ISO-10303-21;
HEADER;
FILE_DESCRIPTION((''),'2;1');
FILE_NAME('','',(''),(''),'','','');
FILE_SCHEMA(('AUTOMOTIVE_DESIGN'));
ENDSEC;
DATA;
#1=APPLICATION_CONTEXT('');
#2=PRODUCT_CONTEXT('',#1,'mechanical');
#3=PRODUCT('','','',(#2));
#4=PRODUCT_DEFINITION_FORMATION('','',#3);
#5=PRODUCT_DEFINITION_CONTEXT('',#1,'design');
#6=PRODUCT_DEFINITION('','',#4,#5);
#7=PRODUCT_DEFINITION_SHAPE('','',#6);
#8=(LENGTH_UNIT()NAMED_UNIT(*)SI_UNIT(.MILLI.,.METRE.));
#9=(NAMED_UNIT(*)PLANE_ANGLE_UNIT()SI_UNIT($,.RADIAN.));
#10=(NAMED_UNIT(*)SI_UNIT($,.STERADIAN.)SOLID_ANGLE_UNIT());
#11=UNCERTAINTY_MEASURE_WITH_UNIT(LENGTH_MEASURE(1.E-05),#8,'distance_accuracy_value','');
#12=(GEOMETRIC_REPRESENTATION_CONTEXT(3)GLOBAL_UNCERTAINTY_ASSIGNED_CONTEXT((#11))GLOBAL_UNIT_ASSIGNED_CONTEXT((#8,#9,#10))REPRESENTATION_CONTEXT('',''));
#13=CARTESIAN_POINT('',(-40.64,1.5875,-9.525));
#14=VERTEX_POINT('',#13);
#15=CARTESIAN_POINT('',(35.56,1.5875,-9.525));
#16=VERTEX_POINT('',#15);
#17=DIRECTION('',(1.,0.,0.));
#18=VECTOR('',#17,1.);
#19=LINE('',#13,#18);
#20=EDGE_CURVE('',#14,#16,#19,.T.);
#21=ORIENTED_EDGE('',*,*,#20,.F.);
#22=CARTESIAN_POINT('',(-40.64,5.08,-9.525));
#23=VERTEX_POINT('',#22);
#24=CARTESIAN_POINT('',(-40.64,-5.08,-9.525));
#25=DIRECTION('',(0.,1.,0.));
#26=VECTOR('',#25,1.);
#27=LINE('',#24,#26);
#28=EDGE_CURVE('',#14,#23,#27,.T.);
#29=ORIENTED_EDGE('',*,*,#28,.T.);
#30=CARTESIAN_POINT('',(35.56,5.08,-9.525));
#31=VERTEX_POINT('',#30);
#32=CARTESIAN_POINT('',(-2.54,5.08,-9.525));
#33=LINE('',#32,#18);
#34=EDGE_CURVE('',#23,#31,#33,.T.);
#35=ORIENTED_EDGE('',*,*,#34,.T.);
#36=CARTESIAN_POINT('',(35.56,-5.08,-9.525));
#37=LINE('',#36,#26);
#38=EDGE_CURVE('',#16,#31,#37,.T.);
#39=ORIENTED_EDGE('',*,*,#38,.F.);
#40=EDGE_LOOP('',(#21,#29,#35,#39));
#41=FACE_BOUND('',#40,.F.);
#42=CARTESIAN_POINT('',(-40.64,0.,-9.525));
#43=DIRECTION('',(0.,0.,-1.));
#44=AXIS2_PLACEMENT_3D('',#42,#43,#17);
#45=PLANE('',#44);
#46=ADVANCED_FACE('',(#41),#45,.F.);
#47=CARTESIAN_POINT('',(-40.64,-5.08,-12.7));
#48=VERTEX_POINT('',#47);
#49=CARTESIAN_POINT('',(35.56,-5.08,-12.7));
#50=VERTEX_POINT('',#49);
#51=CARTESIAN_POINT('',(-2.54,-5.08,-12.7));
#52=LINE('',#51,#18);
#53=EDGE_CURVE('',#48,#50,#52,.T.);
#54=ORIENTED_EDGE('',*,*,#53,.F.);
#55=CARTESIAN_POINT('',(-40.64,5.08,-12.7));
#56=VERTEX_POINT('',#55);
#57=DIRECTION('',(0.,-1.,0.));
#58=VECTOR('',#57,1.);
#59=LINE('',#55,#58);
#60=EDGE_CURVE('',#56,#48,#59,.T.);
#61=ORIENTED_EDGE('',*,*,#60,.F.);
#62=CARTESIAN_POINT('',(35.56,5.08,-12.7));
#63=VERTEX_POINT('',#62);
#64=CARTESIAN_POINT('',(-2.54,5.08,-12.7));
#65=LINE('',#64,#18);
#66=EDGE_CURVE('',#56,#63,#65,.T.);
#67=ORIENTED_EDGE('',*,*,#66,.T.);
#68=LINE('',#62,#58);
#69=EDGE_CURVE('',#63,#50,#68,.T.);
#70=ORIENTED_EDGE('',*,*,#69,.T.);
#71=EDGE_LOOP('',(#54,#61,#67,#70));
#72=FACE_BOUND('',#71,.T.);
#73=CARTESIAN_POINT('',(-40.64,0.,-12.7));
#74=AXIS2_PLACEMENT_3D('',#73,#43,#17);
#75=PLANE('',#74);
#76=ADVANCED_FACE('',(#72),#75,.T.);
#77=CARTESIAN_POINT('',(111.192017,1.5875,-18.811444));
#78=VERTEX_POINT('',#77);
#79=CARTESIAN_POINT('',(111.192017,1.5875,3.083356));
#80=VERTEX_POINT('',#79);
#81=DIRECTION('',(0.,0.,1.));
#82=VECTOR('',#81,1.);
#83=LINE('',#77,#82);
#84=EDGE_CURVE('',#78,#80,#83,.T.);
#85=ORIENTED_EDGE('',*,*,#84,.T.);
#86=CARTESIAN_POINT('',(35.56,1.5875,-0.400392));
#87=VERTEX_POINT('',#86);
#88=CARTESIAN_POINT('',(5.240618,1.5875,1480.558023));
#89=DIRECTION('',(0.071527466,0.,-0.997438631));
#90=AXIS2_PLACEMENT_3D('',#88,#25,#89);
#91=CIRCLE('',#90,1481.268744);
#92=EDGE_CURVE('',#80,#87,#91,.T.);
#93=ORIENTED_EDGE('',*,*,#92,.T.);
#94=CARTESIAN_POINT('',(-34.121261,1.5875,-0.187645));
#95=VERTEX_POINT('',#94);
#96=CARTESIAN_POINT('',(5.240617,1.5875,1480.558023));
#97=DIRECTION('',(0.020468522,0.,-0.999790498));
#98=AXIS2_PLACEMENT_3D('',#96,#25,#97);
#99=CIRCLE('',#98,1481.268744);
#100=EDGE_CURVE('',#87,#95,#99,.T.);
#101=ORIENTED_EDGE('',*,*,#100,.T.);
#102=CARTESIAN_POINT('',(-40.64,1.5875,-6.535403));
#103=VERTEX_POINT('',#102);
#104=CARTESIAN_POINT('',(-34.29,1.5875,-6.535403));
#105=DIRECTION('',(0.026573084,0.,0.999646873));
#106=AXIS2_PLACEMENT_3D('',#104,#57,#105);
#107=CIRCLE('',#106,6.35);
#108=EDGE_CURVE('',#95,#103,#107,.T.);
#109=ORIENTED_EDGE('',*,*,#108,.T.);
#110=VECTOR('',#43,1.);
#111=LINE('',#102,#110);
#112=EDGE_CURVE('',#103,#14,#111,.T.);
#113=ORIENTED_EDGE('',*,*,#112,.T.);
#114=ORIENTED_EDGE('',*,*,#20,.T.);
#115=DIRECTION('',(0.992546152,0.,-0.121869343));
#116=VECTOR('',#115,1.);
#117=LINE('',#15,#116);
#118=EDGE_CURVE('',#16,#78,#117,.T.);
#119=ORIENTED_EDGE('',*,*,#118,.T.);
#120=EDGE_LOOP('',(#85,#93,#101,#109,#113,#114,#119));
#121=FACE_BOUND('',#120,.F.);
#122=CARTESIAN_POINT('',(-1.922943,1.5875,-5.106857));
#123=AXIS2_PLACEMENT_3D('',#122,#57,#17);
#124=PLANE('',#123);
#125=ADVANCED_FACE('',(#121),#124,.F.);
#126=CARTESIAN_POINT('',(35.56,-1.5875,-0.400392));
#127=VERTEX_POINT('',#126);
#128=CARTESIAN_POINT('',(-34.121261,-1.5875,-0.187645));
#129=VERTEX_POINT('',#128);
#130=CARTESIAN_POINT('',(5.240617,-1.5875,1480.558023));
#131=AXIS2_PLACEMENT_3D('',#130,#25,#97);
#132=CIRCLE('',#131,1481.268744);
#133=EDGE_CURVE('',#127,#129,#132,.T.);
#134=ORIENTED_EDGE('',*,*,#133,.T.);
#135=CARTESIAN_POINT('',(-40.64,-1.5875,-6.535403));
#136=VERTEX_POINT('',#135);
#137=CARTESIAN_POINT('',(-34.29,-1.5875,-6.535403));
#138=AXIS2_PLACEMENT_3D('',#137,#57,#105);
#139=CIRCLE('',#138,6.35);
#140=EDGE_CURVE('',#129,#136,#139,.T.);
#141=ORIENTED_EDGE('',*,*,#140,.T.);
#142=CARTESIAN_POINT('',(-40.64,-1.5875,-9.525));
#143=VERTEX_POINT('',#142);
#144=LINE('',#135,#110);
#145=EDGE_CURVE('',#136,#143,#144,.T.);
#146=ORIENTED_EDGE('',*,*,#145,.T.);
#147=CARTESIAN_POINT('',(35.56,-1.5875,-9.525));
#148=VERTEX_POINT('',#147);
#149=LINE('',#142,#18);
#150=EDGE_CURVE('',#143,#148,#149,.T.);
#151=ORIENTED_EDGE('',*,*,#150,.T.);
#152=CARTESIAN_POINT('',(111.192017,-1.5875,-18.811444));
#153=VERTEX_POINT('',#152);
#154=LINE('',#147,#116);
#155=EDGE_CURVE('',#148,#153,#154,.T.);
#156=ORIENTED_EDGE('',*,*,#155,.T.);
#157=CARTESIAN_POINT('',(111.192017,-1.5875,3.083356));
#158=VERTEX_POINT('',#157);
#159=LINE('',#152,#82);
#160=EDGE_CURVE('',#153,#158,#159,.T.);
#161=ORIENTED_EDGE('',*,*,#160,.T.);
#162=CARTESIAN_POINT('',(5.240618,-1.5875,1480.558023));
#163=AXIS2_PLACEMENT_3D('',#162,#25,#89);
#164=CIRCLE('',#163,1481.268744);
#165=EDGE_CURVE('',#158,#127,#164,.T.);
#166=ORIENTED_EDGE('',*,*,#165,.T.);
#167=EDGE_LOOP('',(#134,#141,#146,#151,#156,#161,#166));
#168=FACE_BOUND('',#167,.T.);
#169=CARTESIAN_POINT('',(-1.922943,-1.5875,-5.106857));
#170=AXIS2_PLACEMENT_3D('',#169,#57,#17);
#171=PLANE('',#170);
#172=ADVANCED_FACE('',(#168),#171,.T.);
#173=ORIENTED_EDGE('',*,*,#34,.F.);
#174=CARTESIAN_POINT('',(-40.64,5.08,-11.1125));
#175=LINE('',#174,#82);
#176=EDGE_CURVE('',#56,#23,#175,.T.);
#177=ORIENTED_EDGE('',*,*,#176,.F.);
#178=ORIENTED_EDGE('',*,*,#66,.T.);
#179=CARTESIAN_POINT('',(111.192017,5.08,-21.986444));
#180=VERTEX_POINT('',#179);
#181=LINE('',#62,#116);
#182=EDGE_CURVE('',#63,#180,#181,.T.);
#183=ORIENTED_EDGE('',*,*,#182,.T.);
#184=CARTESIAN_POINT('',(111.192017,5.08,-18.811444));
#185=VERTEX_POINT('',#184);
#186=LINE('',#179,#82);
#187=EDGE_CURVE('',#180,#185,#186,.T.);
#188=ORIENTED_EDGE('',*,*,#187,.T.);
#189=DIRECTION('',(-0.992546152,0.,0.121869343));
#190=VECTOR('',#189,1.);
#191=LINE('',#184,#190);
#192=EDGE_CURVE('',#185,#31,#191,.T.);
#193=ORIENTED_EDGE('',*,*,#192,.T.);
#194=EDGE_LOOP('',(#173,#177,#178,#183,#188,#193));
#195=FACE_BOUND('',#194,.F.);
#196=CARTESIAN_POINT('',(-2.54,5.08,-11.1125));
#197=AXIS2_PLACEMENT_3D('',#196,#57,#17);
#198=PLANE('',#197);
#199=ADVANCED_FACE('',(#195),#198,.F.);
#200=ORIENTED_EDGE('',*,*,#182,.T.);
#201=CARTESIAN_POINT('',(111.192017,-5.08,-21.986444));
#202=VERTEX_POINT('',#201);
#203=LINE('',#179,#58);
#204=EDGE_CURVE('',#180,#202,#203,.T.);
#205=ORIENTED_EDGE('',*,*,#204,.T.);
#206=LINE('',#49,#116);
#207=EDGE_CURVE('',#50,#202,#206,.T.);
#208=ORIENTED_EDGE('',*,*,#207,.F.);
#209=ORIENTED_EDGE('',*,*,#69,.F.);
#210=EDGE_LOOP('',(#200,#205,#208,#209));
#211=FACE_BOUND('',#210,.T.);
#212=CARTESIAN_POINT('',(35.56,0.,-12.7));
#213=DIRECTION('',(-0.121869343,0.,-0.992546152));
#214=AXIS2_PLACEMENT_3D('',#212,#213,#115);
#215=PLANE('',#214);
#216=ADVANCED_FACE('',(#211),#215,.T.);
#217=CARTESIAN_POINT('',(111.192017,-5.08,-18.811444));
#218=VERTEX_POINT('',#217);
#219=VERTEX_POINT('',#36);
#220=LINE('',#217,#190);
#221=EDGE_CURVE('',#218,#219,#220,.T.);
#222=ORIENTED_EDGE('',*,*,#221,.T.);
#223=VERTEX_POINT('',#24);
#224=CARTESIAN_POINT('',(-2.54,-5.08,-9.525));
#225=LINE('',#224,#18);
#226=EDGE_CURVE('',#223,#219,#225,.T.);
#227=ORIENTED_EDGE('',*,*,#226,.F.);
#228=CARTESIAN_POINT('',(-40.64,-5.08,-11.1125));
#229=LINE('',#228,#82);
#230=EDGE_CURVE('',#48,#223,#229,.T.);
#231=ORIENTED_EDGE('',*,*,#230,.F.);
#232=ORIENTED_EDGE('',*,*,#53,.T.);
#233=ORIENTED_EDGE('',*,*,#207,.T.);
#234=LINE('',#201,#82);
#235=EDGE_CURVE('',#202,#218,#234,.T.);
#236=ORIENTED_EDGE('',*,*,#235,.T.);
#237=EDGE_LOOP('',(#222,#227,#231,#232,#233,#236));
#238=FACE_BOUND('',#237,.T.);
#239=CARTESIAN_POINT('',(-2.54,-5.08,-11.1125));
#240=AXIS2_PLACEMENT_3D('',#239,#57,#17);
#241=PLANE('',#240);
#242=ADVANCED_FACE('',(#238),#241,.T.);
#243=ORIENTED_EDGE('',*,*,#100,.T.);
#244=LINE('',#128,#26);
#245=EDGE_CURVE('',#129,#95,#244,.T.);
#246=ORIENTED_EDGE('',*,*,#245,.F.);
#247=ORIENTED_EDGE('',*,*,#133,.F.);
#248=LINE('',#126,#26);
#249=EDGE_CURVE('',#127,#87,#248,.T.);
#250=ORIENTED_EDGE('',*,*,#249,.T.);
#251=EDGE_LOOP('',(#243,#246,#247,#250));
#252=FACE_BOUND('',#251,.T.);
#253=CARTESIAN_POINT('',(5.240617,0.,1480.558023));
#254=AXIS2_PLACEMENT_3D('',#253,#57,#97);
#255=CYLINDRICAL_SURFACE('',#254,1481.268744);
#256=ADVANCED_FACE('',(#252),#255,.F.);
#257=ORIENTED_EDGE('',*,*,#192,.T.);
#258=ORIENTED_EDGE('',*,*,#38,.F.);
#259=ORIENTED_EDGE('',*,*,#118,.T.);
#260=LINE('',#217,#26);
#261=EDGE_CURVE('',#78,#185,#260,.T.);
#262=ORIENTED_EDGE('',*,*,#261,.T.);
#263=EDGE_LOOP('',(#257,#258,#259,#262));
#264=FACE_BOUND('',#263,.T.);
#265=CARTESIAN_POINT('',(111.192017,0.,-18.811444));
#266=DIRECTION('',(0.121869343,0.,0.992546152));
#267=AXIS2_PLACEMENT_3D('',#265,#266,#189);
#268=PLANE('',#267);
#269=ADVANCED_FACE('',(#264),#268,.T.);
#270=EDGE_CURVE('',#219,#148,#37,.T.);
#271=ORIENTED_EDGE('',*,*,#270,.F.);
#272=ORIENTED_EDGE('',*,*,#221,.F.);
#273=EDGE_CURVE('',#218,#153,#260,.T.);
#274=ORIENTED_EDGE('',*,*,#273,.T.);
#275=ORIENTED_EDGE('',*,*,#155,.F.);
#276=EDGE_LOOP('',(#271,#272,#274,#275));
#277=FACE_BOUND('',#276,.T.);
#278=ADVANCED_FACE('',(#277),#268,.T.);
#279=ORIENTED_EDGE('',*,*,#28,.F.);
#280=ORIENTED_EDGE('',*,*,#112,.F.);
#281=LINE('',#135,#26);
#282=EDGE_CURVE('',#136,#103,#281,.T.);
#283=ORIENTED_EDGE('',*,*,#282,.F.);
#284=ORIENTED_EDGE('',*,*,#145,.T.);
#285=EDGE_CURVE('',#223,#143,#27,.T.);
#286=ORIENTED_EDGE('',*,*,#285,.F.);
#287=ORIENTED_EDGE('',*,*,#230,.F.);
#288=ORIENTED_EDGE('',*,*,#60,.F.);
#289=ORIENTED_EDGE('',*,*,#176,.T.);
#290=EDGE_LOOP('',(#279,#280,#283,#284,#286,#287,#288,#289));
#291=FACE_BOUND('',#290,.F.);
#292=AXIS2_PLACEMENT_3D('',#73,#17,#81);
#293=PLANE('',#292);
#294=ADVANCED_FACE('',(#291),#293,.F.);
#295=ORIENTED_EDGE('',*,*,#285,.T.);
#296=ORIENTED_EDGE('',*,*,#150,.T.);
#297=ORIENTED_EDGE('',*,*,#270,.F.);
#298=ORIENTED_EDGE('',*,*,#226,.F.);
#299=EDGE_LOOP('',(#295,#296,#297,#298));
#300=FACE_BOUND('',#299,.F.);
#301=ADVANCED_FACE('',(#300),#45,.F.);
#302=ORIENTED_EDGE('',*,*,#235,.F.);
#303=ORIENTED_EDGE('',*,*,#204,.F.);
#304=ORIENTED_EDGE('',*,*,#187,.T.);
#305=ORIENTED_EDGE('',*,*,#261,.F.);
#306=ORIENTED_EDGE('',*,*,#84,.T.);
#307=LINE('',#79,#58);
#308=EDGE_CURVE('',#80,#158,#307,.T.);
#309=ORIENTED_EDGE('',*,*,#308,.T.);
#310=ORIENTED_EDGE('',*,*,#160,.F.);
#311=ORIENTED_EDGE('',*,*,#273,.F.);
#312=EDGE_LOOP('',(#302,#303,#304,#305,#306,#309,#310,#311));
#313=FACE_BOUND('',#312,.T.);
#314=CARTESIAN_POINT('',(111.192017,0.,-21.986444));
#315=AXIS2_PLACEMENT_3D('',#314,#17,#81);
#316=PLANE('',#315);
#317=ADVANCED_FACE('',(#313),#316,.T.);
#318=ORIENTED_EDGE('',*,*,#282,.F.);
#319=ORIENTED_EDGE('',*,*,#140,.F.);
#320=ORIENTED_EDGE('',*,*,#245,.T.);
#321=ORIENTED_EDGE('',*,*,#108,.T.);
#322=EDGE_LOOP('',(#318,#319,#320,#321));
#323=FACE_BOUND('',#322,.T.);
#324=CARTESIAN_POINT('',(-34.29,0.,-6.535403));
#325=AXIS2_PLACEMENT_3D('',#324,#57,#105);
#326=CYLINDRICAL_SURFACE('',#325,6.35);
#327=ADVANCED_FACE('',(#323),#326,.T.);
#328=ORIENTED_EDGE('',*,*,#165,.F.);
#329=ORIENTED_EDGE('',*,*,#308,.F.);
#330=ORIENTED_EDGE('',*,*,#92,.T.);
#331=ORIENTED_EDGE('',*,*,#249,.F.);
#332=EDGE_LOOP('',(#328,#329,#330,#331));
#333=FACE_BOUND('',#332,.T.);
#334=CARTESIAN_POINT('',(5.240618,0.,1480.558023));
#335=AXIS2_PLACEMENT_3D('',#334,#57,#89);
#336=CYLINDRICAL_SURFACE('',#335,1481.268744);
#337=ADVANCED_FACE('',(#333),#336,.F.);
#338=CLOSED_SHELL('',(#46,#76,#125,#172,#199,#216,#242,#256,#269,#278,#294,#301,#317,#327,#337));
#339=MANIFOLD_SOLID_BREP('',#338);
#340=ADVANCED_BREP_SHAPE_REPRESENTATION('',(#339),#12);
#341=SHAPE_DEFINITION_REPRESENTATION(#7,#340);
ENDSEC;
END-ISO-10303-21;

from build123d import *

# Parameters (mm, degrees)
F0_W     = 76.2
F0_H     = 3.175
F1_DEPTH = 5.08
F2_DEPTH = 1.5875


with BuildPart() as f1:
    # F0 (on Front) → F1 (new body, symmetric)
    with BuildSketch(Plane.XZ):
        with Locations((-2.54, -11.1125)):
            Rectangle(F0_W, F0_H)
        Polygon((61.4182999088, -12.7), (35.56, -12.7), (111.1920167551, -21.9864439675), (111.1920167551, -18.8114439675), align=None)
        Polygon((35.56, -9.525), (35.56, -12.7), (61.4182999088, -12.7), align=None)
    extrude(amount=F1_DEPTH, both=True)

    # F0 (on Front) → F2 (join, symmetric)
    with BuildSketch(Plane.XZ):
        with BuildLine():
            Line((-40.64, -6.5354025636), (-40.64, -9.525))
            Line((-40.64, -9.525), (35.56, -9.525))
            Line((35.56, -9.525), (35.56, -0.4003915331))
            ThreePointArc((35.56, -0.4003915331), (0.7181183693, -0.7038166263), (-34.1212609181, -0.1876449184))
            ThreePointArc((-34.1212609181, -0.1876449184), (-38.720068105, -1.9860073747), (-40.64, -6.5354025636))
        make_face()
        with BuildLine():
            Line((35.56, -0.4003915331), (35.56, -9.525))
            Line((35.56, -9.525), (61.4182999088, -12.7))
            Line((61.4182999088, -12.7), (111.1920167551, -12.7))
            Line((111.1920167551, -12.7), (111.1920167551, 3.0833560325))
            ThreePointArc((111.1920167551, 3.0833560325), (73.3982701467, 0.858180154), (35.56, -0.4003915331))
        make_face()
        Polygon((111.1920167551, -12.7), (61.4182999088, -12.7), (111.1920167551, -18.8114439675), align=None)
    extrude(amount=F2_DEPTH, both=True)


solid = f1.part
